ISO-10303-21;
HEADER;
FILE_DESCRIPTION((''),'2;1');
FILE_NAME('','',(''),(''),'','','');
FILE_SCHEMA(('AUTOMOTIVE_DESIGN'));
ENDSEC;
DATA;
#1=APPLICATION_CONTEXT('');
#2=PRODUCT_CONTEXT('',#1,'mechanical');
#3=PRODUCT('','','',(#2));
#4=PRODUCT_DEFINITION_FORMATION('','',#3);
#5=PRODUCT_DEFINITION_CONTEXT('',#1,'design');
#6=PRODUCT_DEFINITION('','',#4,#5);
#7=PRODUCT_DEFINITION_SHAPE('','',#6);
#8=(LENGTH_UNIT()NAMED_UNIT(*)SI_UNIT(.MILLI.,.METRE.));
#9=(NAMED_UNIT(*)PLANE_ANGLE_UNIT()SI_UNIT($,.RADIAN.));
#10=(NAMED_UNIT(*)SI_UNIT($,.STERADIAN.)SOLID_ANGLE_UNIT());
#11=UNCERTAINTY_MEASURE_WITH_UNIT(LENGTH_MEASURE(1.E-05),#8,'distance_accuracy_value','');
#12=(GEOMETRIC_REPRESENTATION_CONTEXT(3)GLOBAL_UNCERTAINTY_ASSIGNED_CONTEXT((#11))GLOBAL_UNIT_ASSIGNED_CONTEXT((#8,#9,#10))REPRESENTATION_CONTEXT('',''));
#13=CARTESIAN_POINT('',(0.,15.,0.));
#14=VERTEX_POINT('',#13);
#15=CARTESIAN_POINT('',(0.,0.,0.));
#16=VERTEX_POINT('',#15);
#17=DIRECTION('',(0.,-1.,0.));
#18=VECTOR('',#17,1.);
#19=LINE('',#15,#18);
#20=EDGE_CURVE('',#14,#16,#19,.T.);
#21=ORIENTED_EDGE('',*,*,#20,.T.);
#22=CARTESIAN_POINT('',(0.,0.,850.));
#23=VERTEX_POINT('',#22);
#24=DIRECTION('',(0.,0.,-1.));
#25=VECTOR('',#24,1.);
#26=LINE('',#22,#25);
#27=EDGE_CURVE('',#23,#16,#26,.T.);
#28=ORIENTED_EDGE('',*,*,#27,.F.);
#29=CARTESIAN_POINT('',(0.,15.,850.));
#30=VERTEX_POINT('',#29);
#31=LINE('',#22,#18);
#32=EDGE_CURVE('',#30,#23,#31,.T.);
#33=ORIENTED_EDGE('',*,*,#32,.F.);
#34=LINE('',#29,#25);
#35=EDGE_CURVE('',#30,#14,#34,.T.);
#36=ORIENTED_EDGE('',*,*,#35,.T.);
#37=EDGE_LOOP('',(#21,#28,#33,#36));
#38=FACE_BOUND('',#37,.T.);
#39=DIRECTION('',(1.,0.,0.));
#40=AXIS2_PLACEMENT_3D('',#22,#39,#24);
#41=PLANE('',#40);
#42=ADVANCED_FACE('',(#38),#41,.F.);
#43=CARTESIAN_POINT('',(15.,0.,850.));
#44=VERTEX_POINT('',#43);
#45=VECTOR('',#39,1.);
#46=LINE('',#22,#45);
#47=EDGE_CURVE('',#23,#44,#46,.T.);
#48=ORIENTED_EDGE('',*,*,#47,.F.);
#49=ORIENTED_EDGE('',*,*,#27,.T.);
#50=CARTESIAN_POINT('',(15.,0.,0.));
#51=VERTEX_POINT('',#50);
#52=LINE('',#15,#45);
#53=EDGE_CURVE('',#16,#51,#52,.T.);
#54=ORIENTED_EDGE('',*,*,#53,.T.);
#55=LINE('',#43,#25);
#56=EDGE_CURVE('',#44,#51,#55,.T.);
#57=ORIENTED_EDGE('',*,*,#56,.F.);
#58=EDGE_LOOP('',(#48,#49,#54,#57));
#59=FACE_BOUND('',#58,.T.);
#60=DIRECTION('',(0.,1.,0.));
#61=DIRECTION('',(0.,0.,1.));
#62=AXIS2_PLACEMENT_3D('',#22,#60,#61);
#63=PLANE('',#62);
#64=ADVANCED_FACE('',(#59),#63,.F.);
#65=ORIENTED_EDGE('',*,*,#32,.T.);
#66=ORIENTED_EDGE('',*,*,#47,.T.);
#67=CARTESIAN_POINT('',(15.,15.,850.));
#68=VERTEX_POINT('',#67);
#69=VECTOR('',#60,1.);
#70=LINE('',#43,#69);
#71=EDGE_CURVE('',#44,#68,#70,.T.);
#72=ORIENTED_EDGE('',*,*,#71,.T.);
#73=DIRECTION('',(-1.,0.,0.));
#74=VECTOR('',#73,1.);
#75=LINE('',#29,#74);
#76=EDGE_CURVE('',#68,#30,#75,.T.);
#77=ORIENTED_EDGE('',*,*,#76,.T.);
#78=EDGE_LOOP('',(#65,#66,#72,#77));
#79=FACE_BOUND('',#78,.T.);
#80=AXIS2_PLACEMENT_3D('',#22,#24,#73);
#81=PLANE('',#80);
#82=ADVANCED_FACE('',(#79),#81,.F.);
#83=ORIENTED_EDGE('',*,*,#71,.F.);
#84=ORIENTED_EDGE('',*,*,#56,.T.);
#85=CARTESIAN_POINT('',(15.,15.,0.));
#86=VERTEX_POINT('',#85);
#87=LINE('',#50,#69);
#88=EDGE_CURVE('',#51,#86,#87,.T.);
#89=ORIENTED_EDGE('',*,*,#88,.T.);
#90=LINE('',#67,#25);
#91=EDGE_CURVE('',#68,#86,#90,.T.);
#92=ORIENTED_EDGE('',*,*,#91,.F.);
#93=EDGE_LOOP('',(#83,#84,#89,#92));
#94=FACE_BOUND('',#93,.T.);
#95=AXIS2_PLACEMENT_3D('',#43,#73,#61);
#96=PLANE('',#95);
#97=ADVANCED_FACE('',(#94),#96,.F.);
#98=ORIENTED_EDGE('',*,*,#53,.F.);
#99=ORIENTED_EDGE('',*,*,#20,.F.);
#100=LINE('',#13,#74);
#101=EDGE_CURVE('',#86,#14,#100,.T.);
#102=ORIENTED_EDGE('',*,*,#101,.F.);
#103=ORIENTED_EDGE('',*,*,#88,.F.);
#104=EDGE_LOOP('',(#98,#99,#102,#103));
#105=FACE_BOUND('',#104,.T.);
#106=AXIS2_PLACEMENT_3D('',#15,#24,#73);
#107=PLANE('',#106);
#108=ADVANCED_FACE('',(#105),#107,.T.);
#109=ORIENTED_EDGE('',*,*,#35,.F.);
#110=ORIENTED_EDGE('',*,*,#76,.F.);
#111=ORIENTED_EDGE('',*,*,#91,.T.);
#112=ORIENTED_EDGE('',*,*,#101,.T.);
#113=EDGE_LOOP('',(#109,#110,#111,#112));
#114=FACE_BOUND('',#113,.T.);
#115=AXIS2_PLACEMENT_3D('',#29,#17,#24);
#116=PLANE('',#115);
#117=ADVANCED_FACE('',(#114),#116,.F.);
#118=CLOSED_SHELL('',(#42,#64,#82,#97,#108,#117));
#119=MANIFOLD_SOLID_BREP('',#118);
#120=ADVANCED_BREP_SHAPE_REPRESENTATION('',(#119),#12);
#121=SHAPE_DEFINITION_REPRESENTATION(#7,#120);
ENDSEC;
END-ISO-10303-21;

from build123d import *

# Parameters (mm, degrees)
SKETCH_1_W      = 15
SKETCH_1_H      = 15
EXTRUDE_1_DEPTH = 850


with BuildPart() as part:
    # 草图1 → 凸台-拉伸1 (new body)
    with BuildSketch(Plane.XY):
        with Locations((7.5, 7.5)):
            Rectangle(SKETCH_1_W, SKETCH_1_H)
    extrude(amount=EXTRUDE_1_DEPTH)


solid = part.part
